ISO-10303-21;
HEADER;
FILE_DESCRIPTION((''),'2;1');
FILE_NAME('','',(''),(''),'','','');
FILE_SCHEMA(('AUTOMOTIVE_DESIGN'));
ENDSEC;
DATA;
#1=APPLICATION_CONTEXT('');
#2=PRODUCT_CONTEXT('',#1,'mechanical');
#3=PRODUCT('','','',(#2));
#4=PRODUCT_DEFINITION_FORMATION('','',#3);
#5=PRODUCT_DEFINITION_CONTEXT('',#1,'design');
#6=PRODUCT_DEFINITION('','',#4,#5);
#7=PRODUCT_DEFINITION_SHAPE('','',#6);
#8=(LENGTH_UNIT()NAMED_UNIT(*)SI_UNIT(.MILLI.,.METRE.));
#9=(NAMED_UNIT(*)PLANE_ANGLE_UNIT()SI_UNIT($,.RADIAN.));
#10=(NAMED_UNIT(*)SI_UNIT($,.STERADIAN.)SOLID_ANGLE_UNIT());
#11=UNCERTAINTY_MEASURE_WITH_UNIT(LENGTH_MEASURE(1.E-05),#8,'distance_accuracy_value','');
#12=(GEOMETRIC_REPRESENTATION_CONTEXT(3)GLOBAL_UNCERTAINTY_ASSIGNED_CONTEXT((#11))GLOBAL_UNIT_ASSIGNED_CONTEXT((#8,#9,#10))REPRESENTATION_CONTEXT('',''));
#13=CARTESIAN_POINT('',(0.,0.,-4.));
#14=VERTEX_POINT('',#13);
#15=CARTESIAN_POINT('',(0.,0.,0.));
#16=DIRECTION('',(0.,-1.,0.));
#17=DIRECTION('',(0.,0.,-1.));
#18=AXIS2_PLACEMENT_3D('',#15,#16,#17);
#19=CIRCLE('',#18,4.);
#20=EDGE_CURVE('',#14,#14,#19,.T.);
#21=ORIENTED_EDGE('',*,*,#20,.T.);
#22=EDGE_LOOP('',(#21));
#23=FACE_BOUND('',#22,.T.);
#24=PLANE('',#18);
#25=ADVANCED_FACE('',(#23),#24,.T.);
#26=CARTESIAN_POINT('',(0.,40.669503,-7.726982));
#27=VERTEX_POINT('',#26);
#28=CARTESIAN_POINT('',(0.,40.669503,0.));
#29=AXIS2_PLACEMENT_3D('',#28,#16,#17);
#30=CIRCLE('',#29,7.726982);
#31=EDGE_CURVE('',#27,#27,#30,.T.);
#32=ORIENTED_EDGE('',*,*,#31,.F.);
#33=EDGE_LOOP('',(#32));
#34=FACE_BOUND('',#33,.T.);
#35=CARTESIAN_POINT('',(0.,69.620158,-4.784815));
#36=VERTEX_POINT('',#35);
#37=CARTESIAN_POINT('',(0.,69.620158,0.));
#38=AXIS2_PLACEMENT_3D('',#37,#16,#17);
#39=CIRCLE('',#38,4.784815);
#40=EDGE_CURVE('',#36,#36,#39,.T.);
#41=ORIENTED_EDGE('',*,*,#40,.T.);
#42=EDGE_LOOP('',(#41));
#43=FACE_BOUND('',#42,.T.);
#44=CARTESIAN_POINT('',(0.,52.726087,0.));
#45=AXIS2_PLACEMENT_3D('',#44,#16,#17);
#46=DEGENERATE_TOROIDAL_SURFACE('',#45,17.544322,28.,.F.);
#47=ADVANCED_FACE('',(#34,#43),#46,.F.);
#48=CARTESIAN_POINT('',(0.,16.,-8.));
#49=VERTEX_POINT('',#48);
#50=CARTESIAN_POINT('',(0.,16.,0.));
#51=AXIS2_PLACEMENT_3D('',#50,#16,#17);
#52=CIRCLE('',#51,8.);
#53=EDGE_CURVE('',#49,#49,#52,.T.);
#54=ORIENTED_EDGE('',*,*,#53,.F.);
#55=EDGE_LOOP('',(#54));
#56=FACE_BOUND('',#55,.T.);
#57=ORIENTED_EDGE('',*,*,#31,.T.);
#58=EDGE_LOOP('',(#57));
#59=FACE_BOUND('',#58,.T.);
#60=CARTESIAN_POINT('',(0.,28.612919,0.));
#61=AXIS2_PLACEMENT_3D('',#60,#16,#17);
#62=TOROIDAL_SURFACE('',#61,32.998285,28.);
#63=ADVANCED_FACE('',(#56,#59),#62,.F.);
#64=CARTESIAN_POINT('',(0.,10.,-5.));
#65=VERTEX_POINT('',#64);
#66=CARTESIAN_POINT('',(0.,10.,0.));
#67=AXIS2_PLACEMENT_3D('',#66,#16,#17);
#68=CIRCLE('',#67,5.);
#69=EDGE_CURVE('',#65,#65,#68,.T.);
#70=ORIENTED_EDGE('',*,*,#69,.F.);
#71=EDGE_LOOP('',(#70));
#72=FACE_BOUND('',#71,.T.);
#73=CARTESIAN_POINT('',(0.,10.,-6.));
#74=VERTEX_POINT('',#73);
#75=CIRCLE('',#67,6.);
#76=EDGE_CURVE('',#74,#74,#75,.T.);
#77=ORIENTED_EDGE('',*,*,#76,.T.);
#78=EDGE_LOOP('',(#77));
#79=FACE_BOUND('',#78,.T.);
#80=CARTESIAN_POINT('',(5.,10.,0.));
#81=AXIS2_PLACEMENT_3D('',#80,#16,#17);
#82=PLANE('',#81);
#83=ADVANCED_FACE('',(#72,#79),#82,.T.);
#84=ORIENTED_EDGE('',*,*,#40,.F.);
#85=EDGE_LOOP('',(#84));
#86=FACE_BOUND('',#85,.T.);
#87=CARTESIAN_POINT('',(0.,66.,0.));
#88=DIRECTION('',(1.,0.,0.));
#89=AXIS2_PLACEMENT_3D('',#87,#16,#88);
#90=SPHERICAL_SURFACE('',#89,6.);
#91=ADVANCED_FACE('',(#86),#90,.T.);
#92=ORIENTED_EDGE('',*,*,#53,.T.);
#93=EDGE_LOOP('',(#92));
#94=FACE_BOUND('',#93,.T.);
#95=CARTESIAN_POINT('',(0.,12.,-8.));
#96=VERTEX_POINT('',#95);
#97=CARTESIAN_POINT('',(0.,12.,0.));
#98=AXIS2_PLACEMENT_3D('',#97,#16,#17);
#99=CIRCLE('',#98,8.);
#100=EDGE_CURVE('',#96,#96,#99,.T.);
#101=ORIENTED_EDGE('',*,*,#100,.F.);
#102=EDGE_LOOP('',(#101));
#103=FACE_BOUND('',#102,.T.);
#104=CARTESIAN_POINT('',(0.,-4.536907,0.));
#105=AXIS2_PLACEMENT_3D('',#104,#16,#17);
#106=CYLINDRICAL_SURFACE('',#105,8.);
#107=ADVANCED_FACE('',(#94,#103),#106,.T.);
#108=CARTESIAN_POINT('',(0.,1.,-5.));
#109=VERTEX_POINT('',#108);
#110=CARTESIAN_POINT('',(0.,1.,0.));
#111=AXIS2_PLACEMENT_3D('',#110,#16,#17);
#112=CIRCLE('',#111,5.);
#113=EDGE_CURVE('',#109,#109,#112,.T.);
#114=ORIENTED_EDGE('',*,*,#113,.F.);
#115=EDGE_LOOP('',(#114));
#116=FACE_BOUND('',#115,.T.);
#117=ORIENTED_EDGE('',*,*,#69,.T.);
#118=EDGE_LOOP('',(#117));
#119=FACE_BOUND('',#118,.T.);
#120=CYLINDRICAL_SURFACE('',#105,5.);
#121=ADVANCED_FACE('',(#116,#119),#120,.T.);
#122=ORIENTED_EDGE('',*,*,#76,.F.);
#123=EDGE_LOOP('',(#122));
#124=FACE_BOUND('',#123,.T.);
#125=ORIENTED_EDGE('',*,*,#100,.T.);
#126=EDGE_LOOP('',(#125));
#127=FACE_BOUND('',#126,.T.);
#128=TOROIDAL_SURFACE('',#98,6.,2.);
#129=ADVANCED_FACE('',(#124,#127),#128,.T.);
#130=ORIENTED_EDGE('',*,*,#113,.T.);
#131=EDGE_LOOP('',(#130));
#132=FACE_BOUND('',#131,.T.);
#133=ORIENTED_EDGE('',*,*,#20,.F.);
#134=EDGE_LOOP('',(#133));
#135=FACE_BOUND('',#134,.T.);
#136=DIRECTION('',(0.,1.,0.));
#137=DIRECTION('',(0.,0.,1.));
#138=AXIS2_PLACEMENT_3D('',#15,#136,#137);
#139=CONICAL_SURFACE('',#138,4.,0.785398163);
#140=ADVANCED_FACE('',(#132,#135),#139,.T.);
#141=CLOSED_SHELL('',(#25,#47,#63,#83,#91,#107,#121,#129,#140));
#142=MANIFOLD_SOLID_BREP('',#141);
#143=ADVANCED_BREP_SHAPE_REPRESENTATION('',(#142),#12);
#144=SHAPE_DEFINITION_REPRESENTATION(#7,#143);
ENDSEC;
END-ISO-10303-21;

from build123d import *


with BuildPart() as part:
    # Sketch1 → Revolve1 (revolve)
    with BuildSketch(Plane.XY):
        with BuildLine():
            Line((0, 0), (4, 0))
            Line((4, 0), (5, 1))
            Line((5, 1), (5, 10))
            Line((5, 10), (6, 10))
            ThreePointArc((6, 10), (7.414213562, 10.585786438), (8, 12))
            Line((8, 12), (8, 16))
            ThreePointArc((8, 16), (5, 28.303061069), (7.726981853, 40.669502823))
            ThreePointArc((7.726981853, 40.669502823), (10.3121962, 55.557059673), (4.784815021, 69.620158175))
            ThreePointArc((4.784815021, 69.620158175), (2.671989048, 71.372194573), (0, 72))
            Line((0, 72), (0, 0))
        make_face()
    revolve(axis=Axis((0, -4.536906655, 0), (0, 1, 0)))


solid = part.part
